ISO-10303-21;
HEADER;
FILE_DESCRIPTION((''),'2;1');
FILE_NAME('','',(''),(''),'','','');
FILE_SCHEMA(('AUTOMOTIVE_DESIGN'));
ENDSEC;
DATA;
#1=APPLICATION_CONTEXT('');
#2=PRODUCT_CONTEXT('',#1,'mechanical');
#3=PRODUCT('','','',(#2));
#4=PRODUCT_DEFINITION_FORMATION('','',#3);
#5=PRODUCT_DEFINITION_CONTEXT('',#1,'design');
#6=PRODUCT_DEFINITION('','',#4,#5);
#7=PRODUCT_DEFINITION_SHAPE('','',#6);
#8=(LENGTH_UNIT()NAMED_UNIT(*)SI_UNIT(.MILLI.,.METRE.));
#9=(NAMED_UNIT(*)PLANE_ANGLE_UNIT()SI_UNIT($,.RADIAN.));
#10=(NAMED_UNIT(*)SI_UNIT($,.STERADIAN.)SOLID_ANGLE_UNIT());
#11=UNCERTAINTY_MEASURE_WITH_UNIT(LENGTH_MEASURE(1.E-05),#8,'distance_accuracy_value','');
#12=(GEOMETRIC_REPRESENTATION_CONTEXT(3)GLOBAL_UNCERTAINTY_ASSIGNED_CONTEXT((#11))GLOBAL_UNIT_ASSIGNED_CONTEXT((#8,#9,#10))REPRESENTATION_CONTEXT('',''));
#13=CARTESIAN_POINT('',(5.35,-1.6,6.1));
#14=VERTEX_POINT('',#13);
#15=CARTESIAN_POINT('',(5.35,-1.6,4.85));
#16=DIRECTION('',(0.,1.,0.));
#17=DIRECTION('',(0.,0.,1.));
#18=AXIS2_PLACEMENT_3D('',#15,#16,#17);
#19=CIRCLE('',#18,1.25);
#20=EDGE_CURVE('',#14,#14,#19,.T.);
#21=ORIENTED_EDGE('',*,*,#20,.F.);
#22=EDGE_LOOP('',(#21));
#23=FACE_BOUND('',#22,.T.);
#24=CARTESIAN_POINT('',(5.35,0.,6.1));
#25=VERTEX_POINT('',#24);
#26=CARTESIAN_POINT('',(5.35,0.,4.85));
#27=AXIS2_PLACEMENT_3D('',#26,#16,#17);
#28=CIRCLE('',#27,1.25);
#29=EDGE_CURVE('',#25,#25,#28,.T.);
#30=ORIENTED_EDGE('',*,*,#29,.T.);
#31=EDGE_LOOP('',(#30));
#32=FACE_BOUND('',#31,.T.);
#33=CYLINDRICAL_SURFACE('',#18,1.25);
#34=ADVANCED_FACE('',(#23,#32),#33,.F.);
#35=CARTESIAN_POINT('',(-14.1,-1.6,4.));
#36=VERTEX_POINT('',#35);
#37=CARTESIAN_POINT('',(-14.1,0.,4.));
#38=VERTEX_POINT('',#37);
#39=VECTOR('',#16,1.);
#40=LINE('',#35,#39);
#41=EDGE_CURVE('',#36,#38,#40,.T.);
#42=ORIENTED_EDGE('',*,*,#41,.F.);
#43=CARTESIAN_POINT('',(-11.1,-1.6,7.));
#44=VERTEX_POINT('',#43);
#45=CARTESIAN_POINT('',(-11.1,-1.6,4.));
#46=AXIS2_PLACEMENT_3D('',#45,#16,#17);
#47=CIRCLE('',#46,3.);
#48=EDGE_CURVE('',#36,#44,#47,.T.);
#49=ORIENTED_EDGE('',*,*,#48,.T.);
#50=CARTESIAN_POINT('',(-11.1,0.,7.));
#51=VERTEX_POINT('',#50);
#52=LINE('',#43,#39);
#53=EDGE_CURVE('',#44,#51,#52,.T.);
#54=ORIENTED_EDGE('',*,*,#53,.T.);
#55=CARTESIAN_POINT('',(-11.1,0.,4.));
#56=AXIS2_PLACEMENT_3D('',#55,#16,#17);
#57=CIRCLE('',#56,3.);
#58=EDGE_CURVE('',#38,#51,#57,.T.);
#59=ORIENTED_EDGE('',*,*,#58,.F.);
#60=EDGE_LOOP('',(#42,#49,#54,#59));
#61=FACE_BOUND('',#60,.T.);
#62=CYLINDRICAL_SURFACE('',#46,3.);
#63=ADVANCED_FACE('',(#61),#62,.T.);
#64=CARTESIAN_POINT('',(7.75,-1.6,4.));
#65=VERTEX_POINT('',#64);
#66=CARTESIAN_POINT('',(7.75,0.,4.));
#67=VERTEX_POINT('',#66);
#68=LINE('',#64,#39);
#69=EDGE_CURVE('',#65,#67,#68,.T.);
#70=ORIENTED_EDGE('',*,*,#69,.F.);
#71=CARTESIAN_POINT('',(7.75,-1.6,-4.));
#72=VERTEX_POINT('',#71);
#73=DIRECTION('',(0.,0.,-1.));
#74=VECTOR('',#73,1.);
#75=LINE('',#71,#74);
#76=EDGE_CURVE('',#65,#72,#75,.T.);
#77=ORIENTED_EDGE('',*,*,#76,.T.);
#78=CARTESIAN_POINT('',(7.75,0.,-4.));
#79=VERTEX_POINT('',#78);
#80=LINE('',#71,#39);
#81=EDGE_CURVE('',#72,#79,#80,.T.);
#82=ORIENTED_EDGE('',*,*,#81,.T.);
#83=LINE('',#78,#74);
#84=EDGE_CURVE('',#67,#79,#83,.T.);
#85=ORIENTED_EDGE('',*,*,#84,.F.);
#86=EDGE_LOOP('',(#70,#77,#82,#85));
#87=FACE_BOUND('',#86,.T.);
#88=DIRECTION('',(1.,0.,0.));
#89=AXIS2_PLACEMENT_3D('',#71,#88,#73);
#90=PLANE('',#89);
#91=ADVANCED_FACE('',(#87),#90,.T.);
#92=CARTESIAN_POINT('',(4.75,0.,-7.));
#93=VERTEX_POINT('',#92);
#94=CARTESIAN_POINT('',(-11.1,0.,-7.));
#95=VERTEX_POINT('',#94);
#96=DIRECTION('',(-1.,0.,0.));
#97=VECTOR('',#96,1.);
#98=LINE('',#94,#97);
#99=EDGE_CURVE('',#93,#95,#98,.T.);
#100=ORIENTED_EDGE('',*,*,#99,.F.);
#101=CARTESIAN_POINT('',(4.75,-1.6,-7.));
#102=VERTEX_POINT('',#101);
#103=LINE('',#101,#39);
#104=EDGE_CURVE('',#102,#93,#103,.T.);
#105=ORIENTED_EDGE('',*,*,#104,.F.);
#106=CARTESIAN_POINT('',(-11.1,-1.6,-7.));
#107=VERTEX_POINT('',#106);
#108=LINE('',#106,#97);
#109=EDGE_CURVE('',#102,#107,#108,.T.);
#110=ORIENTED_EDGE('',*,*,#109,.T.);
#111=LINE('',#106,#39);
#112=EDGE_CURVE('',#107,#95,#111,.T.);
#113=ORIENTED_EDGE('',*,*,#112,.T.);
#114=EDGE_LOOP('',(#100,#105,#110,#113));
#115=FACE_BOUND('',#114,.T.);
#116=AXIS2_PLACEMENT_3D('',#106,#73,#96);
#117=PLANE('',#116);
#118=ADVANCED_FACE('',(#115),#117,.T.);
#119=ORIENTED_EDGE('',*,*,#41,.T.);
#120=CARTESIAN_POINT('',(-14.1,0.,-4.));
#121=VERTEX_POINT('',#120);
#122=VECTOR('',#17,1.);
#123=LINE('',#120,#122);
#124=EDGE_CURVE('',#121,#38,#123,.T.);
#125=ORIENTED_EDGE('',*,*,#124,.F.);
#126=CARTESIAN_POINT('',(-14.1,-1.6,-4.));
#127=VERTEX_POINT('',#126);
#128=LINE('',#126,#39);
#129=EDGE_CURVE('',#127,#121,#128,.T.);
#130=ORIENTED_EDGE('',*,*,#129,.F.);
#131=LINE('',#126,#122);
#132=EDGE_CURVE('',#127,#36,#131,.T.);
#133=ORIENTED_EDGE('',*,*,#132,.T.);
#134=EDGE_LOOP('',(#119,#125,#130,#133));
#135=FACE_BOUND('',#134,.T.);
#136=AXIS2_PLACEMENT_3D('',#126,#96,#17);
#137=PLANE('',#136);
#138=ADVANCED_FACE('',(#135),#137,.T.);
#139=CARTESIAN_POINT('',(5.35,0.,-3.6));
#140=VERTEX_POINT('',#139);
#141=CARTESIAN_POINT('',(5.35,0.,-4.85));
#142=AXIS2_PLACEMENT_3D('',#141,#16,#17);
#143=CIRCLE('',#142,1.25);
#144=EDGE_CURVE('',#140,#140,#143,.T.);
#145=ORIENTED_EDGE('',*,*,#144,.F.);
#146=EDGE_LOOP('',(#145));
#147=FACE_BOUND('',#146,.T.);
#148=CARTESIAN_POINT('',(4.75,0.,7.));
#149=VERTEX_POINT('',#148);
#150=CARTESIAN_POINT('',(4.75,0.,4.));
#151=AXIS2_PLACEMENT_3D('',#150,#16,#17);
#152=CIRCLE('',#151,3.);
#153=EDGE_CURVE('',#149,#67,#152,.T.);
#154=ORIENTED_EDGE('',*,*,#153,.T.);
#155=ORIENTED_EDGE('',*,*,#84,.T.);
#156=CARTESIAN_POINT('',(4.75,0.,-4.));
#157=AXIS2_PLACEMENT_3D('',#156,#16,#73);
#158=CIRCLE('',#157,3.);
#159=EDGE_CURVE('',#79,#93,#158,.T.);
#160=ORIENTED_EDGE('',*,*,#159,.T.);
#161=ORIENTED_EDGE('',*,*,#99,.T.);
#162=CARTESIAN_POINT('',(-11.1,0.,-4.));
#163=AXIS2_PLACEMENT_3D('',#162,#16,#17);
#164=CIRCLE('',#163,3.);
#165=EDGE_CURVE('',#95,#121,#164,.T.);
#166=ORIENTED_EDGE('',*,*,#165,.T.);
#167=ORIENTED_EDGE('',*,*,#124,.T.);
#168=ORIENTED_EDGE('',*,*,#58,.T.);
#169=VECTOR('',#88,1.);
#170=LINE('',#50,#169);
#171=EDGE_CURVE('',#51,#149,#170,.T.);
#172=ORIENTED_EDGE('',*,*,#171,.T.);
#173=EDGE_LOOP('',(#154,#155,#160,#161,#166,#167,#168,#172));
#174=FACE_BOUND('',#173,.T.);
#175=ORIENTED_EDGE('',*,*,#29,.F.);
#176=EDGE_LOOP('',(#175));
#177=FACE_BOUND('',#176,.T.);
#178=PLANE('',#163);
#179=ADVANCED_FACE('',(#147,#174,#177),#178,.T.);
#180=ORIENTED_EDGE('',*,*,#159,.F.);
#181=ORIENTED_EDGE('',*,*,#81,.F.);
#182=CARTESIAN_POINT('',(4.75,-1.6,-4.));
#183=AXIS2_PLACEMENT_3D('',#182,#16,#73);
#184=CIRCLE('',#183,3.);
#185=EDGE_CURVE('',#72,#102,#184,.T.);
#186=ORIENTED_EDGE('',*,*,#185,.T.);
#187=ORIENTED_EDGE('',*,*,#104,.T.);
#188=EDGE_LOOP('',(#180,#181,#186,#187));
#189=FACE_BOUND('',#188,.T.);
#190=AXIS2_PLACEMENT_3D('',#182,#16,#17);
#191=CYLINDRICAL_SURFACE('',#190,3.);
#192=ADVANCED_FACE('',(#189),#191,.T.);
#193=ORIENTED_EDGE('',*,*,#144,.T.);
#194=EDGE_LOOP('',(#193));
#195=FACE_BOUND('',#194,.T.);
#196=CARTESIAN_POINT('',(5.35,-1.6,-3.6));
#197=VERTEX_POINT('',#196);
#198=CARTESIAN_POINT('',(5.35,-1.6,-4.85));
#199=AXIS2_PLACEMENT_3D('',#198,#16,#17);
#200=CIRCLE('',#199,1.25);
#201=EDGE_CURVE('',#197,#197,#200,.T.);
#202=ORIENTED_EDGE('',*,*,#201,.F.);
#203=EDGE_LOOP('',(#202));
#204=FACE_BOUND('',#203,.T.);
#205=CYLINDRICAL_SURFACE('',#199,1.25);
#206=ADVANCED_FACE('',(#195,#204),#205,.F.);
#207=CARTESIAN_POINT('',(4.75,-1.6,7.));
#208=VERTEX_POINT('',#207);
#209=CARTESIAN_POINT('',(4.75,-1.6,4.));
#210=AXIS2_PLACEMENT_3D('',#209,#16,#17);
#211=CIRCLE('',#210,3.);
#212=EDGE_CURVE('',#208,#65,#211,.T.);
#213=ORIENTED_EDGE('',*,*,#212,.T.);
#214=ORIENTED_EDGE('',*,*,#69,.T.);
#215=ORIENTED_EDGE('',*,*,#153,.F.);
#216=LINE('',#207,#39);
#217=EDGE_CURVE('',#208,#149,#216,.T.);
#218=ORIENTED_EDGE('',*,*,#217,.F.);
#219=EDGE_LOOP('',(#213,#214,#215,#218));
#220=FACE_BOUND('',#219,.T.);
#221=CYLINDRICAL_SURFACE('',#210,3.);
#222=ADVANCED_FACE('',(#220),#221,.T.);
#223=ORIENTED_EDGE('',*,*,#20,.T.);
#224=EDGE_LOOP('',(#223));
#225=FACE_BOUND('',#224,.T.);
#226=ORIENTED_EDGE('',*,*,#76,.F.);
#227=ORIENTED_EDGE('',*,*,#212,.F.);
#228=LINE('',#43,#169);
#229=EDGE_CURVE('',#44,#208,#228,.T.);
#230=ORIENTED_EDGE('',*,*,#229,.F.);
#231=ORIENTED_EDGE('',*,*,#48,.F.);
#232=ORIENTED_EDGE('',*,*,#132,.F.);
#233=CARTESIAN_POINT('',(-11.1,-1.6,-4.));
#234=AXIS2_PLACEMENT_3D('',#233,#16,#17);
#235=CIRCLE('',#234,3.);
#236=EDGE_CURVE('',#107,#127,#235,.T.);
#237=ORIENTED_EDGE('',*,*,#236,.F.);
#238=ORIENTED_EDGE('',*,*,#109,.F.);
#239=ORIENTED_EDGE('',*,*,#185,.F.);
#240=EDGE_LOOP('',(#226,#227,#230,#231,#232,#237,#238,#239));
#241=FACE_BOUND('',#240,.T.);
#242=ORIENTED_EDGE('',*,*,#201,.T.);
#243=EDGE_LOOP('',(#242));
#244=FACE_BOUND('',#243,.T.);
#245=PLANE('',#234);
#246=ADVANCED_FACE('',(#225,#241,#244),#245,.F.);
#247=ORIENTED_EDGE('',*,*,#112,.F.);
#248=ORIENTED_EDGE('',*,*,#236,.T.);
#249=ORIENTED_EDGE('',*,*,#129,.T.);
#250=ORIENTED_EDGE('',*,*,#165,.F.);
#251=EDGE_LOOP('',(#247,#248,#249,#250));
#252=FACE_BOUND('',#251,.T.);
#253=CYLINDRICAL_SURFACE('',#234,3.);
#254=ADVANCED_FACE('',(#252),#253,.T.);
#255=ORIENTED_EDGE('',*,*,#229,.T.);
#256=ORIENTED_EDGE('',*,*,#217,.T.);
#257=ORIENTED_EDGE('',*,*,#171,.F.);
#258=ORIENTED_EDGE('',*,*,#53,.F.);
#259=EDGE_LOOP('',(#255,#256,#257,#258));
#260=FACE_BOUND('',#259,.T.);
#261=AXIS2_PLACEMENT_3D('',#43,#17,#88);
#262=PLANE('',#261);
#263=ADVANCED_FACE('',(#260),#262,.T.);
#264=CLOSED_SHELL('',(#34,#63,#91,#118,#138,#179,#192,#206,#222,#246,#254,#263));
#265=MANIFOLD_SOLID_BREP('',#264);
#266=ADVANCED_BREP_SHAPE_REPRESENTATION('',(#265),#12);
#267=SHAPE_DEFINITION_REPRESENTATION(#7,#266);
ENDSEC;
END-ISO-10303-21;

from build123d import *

# Parameters (mm, degrees)
SKETCH1_R           = 1.25
BOSS_EXTRUDE1_DEPTH = 1.6


with BuildPart() as part:
    # Sketch1 → Boss-Extrude1 (new body)
    with BuildSketch(Plane(origin=(0, 0, 0), x_dir=(1, 0, 0), z_dir=(0, 1, 0))):
        with BuildLine():
            Line((-11.1, 7), (4.75, 7))
            ThreePointArc((4.75, 7), (6.871320344, 6.121320344), (7.75, 4))
            Line((7.75, 4), (7.75, -4))
            ThreePointArc((7.75, -4), (6.871320344, -6.121320344), (4.75, -7))
            Line((4.75, -7), (-11.1, -7))
            ThreePointArc((-11.1, -7), (-13.221320344, -6.121320344), (-14.1, -4))
            Line((-14.1, -4), (-14.1, 4))
            ThreePointArc((-14.1, 4), (-13.221320344, 6.121320344), (-11.1, 7))
        make_face()
        with Locations(Location((5.35, 4.85, 0), (0, 0, 270))):
            Circle(SKETCH1_R, mode=Mode.SUBTRACT)
        with Locations(Location((5.35, -4.85, 0), (0, 0, 270))):
            Circle(SKETCH1_R, mode=Mode.SUBTRACT)
    extrude(amount=-BOSS_EXTRUDE1_DEPTH)


solid = part.part
